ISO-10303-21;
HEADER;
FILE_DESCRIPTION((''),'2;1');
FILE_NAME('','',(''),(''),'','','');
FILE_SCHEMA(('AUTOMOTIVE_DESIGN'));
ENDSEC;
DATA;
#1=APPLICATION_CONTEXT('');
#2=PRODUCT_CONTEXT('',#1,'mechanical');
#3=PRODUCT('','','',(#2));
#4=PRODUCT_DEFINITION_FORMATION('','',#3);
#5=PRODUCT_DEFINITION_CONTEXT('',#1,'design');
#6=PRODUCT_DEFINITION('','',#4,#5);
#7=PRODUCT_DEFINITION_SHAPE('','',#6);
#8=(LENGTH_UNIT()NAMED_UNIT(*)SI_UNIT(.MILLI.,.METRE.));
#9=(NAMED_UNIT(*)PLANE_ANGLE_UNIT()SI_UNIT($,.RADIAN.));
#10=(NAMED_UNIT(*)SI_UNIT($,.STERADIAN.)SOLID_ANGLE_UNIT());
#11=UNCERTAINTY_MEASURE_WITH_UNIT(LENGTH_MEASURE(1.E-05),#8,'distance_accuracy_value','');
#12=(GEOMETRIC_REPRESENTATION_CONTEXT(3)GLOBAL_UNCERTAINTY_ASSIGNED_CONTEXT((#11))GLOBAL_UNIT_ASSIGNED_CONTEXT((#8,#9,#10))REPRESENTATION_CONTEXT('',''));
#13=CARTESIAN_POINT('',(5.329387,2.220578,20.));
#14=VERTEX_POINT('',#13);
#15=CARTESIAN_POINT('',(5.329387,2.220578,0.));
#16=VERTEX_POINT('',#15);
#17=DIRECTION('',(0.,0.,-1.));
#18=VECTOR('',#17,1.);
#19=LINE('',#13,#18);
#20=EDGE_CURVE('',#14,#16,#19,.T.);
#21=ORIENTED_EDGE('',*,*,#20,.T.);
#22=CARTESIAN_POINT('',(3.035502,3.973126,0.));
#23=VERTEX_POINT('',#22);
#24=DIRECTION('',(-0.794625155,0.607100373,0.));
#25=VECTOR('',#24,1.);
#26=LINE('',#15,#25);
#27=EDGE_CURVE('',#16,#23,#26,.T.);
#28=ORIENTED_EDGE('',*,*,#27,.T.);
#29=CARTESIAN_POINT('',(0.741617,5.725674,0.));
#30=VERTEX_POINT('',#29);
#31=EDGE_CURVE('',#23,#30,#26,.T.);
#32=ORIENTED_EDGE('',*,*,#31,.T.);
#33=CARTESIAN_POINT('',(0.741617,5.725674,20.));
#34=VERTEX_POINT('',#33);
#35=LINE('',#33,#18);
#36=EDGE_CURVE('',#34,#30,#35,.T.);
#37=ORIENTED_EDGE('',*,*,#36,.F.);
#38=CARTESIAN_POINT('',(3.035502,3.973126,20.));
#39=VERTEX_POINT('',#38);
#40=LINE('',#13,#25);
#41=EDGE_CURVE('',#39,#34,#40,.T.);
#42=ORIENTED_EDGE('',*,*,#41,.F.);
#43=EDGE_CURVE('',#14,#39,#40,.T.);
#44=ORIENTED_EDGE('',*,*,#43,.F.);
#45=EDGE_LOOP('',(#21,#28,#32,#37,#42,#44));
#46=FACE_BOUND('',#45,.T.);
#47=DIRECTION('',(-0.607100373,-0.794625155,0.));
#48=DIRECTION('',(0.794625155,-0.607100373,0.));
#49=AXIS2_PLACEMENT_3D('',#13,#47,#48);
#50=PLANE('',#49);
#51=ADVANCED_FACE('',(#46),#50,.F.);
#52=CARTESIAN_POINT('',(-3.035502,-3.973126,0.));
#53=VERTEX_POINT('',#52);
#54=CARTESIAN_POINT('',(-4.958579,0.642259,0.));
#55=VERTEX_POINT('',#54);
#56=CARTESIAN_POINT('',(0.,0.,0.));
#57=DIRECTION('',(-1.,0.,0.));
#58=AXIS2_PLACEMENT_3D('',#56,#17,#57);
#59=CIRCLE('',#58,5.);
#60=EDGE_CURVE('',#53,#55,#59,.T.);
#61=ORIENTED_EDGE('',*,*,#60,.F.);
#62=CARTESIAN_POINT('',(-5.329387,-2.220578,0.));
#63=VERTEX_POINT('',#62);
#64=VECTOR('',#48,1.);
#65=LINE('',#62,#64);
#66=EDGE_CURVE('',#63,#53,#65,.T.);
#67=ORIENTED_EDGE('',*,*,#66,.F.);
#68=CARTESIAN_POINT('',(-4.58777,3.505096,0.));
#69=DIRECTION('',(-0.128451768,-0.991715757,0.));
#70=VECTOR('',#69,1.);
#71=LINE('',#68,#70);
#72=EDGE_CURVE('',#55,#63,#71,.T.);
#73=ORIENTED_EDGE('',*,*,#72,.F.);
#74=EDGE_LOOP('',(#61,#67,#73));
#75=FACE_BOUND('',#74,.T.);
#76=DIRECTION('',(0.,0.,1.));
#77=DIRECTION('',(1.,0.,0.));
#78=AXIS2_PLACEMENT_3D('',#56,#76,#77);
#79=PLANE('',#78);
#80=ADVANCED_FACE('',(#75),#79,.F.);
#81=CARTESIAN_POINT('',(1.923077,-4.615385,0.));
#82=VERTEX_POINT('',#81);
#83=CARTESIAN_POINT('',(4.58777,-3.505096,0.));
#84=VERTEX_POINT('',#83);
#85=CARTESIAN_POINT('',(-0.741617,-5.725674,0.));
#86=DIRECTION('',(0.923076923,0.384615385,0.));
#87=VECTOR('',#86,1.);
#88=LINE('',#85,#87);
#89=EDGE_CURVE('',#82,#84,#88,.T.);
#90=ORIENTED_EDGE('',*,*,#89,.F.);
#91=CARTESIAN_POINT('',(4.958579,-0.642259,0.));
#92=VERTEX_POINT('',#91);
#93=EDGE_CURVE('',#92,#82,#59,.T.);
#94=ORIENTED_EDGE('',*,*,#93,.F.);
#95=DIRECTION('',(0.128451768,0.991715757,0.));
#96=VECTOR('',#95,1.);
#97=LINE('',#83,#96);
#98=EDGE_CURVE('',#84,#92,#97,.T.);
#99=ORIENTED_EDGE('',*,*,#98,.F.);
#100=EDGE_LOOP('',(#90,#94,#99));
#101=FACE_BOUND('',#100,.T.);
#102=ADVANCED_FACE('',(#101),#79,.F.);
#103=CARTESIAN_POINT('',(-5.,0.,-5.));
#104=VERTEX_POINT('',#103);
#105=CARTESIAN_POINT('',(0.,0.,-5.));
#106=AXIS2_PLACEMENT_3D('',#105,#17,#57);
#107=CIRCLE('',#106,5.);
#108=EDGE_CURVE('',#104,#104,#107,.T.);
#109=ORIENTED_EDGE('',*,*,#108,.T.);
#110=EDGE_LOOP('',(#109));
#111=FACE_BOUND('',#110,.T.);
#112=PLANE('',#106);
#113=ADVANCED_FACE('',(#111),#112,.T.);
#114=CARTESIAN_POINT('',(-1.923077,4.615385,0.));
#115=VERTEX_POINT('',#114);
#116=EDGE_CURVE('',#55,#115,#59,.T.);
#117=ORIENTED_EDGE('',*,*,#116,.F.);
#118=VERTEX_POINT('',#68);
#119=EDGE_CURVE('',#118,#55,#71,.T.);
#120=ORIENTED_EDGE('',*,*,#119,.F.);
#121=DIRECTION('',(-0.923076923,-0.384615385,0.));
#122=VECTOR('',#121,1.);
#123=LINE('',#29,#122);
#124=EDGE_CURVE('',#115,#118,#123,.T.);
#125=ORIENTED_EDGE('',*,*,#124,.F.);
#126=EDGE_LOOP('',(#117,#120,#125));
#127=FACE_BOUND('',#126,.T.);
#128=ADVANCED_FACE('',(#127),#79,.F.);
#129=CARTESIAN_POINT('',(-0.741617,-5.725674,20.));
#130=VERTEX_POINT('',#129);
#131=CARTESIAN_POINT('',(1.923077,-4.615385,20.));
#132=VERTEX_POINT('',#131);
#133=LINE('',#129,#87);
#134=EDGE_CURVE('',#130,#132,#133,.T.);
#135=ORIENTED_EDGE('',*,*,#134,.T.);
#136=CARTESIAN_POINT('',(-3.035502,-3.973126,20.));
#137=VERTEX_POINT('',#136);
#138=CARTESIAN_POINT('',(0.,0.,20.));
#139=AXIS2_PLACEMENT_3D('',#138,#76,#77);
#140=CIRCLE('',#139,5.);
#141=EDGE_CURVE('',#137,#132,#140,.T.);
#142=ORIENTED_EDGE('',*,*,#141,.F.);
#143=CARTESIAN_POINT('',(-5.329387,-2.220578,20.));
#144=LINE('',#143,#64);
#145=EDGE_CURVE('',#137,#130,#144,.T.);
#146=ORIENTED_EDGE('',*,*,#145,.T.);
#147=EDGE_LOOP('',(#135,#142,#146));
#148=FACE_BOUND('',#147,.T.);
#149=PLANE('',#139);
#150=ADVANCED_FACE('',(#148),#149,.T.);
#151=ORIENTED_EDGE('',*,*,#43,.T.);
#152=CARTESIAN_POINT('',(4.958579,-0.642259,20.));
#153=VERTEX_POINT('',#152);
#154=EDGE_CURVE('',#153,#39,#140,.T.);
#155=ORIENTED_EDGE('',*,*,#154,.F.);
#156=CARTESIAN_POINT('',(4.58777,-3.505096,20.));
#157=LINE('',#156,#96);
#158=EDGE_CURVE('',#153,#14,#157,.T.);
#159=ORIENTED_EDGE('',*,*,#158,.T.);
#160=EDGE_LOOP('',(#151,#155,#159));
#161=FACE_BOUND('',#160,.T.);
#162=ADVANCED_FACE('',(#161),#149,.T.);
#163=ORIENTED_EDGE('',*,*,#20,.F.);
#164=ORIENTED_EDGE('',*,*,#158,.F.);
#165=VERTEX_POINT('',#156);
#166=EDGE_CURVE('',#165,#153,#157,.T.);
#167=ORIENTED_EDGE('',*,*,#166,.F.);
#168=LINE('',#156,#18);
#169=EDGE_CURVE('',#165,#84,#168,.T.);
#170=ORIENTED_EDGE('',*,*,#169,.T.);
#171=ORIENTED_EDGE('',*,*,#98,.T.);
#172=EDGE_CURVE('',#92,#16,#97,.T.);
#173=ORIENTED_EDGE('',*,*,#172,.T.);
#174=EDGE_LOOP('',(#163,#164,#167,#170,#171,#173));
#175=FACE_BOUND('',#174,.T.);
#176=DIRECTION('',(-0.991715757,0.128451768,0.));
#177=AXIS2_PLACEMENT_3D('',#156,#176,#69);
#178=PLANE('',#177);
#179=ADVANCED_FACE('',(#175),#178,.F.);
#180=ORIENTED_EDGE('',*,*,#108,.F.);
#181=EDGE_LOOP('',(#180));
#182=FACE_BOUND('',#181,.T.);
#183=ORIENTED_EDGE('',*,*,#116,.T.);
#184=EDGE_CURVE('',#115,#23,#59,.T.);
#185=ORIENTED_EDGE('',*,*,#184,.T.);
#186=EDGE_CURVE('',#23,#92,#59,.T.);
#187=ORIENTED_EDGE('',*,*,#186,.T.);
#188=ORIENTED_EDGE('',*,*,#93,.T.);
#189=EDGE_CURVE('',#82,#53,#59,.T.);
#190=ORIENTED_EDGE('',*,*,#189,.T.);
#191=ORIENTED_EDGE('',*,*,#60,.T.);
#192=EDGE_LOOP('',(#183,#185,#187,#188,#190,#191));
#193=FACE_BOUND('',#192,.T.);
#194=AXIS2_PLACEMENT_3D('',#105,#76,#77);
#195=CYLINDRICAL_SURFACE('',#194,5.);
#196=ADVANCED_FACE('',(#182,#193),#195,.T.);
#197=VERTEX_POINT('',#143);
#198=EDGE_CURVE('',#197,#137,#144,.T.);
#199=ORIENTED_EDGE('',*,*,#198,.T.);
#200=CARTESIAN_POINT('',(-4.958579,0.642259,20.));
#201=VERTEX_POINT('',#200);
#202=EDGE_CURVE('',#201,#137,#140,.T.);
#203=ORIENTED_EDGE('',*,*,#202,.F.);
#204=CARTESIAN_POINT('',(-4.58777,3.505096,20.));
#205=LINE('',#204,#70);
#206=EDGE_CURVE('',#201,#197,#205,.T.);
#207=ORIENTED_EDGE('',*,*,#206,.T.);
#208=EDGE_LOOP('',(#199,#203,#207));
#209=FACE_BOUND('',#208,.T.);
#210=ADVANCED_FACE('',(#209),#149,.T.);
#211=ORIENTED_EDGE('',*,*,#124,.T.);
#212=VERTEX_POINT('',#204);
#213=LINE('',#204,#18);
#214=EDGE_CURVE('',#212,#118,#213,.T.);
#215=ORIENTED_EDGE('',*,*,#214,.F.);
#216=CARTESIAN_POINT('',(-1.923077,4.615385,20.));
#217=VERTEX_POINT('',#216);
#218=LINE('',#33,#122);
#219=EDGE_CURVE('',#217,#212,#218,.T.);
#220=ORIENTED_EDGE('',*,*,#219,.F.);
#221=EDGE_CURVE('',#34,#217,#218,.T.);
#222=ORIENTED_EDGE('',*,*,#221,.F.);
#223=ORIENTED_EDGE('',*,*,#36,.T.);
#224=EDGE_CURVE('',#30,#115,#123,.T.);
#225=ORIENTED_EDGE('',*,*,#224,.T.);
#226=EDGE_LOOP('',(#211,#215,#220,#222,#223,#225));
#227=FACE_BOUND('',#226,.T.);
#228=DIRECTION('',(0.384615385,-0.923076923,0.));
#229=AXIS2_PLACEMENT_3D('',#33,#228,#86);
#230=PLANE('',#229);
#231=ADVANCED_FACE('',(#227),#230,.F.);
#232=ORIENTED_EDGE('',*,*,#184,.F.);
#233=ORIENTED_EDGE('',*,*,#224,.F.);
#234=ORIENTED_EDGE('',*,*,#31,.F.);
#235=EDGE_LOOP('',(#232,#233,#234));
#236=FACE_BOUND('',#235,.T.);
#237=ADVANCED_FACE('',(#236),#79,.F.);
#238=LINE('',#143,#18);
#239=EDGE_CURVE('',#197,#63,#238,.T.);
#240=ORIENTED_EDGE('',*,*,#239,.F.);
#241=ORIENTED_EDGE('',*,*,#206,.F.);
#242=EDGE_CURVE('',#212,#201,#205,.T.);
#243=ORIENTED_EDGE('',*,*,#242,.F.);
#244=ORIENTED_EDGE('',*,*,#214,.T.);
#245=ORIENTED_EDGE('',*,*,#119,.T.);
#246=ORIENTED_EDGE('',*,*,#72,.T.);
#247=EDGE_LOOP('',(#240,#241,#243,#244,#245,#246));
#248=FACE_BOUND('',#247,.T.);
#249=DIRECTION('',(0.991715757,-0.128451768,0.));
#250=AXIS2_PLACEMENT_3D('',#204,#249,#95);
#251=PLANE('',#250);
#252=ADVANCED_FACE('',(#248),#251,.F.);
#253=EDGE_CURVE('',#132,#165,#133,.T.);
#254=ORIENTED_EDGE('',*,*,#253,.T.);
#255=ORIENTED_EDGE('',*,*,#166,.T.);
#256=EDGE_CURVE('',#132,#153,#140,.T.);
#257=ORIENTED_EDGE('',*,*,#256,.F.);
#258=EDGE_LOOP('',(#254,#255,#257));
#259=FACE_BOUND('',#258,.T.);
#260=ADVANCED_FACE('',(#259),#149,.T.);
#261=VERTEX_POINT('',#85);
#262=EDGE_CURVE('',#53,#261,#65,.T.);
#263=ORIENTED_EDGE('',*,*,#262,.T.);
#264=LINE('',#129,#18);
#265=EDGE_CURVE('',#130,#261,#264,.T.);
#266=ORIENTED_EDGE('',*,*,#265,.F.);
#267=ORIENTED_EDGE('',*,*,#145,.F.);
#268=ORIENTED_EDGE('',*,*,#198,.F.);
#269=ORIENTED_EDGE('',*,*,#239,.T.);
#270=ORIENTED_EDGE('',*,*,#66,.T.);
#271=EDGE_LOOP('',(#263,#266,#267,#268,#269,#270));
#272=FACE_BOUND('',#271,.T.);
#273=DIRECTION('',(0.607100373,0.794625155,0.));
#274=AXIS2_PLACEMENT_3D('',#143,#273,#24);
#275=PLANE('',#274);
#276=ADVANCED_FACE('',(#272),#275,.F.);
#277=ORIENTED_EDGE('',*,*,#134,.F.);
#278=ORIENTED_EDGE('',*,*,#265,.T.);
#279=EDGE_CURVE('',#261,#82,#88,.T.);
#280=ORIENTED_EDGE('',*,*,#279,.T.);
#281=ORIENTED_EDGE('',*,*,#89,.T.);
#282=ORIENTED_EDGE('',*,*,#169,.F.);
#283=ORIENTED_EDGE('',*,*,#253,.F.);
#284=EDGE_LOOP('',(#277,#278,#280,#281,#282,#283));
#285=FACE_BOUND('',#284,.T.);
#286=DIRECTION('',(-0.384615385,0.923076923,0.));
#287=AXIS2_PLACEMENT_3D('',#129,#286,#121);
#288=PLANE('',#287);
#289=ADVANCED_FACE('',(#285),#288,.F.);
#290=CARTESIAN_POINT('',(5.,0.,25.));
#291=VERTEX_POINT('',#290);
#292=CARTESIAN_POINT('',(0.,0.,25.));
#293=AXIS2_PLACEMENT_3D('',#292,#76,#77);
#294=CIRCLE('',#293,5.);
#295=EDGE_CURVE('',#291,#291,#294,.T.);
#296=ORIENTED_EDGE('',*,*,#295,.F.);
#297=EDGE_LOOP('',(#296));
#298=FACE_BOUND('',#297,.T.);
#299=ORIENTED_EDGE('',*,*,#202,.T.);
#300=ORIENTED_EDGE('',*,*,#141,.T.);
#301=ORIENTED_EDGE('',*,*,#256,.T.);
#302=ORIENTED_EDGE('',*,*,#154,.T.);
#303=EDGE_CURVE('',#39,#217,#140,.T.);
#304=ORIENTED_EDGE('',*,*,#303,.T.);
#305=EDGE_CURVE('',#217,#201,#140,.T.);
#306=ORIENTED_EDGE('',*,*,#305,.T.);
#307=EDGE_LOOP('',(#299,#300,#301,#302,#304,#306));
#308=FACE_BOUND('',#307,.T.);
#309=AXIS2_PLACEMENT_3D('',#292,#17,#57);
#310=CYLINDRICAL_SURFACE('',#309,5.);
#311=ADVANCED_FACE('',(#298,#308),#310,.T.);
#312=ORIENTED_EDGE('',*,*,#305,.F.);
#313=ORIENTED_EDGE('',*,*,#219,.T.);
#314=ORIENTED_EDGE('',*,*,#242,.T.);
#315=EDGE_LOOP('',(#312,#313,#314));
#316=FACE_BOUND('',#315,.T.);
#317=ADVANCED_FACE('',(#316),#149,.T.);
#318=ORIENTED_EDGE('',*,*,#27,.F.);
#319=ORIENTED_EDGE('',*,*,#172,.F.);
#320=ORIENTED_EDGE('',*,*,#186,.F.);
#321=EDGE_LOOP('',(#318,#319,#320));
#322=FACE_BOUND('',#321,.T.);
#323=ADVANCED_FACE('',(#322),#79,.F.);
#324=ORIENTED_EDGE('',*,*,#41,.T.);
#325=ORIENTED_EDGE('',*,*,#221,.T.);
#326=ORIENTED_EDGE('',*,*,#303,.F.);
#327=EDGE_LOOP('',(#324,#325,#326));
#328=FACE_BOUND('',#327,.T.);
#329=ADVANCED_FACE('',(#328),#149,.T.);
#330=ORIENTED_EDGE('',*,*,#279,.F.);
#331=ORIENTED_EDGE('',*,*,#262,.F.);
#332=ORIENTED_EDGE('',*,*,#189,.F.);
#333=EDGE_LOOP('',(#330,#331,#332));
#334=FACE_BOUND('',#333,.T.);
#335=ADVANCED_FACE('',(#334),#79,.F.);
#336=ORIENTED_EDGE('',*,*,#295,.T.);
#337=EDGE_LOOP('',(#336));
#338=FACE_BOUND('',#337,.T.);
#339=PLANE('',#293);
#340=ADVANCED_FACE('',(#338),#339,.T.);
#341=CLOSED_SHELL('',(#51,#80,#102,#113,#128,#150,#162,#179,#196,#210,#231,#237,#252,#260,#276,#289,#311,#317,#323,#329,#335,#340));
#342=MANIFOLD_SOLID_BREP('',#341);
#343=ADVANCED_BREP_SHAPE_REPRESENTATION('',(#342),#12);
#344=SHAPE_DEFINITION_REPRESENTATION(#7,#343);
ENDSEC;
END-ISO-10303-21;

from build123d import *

# Parameters (mm, degrees)
EXTRUDE_2_DEPTH = 20
SKETCH_2_R      = 5
EXTRUDE_3_DEPTH = 5
EXTRUDE_START   = 5
SKETCH_3_R      = 5
EXTRUDE_4_DEPTH = 5


with BuildPart() as part:
    # 草图1 → 凸台-拉伸2 (new body)
    with BuildSketch(Plane.XY):
        Polygon((5.3293871, 2.220577958), (0.741616627, 5.725673595), (-4.587770473, 3.505095636), (-5.3293871, -2.220577958), (-0.741616627, -5.725673595), (4.587770473, -3.505095636), align=None)
    extrude(amount=EXTRUDE_2_DEPTH)

    # 草图2 → 凸台-拉伸3 (add)
    with BuildSketch(Plane(origin=(0, 0, 0), x_dir=(-1, 0, 0), z_dir=(0, 0, -1))):
        with Locations(Location((0, 0, 0), (0, 0, 187.380135052))):
            Circle(SKETCH_2_R)
    extrude(amount=EXTRUDE_3_DEPTH)

    # 草图3 → 凸台-拉伸4 (add)
    with BuildSketch(Plane.XY.offset(20).offset(EXTRUDE_START)):
        with Locations(Location((0, 0, 0), (0, 0, 352.619864948))):
            Circle(SKETCH_3_R)
    extrude(amount=-EXTRUDE_4_DEPTH)


solid = part.part
